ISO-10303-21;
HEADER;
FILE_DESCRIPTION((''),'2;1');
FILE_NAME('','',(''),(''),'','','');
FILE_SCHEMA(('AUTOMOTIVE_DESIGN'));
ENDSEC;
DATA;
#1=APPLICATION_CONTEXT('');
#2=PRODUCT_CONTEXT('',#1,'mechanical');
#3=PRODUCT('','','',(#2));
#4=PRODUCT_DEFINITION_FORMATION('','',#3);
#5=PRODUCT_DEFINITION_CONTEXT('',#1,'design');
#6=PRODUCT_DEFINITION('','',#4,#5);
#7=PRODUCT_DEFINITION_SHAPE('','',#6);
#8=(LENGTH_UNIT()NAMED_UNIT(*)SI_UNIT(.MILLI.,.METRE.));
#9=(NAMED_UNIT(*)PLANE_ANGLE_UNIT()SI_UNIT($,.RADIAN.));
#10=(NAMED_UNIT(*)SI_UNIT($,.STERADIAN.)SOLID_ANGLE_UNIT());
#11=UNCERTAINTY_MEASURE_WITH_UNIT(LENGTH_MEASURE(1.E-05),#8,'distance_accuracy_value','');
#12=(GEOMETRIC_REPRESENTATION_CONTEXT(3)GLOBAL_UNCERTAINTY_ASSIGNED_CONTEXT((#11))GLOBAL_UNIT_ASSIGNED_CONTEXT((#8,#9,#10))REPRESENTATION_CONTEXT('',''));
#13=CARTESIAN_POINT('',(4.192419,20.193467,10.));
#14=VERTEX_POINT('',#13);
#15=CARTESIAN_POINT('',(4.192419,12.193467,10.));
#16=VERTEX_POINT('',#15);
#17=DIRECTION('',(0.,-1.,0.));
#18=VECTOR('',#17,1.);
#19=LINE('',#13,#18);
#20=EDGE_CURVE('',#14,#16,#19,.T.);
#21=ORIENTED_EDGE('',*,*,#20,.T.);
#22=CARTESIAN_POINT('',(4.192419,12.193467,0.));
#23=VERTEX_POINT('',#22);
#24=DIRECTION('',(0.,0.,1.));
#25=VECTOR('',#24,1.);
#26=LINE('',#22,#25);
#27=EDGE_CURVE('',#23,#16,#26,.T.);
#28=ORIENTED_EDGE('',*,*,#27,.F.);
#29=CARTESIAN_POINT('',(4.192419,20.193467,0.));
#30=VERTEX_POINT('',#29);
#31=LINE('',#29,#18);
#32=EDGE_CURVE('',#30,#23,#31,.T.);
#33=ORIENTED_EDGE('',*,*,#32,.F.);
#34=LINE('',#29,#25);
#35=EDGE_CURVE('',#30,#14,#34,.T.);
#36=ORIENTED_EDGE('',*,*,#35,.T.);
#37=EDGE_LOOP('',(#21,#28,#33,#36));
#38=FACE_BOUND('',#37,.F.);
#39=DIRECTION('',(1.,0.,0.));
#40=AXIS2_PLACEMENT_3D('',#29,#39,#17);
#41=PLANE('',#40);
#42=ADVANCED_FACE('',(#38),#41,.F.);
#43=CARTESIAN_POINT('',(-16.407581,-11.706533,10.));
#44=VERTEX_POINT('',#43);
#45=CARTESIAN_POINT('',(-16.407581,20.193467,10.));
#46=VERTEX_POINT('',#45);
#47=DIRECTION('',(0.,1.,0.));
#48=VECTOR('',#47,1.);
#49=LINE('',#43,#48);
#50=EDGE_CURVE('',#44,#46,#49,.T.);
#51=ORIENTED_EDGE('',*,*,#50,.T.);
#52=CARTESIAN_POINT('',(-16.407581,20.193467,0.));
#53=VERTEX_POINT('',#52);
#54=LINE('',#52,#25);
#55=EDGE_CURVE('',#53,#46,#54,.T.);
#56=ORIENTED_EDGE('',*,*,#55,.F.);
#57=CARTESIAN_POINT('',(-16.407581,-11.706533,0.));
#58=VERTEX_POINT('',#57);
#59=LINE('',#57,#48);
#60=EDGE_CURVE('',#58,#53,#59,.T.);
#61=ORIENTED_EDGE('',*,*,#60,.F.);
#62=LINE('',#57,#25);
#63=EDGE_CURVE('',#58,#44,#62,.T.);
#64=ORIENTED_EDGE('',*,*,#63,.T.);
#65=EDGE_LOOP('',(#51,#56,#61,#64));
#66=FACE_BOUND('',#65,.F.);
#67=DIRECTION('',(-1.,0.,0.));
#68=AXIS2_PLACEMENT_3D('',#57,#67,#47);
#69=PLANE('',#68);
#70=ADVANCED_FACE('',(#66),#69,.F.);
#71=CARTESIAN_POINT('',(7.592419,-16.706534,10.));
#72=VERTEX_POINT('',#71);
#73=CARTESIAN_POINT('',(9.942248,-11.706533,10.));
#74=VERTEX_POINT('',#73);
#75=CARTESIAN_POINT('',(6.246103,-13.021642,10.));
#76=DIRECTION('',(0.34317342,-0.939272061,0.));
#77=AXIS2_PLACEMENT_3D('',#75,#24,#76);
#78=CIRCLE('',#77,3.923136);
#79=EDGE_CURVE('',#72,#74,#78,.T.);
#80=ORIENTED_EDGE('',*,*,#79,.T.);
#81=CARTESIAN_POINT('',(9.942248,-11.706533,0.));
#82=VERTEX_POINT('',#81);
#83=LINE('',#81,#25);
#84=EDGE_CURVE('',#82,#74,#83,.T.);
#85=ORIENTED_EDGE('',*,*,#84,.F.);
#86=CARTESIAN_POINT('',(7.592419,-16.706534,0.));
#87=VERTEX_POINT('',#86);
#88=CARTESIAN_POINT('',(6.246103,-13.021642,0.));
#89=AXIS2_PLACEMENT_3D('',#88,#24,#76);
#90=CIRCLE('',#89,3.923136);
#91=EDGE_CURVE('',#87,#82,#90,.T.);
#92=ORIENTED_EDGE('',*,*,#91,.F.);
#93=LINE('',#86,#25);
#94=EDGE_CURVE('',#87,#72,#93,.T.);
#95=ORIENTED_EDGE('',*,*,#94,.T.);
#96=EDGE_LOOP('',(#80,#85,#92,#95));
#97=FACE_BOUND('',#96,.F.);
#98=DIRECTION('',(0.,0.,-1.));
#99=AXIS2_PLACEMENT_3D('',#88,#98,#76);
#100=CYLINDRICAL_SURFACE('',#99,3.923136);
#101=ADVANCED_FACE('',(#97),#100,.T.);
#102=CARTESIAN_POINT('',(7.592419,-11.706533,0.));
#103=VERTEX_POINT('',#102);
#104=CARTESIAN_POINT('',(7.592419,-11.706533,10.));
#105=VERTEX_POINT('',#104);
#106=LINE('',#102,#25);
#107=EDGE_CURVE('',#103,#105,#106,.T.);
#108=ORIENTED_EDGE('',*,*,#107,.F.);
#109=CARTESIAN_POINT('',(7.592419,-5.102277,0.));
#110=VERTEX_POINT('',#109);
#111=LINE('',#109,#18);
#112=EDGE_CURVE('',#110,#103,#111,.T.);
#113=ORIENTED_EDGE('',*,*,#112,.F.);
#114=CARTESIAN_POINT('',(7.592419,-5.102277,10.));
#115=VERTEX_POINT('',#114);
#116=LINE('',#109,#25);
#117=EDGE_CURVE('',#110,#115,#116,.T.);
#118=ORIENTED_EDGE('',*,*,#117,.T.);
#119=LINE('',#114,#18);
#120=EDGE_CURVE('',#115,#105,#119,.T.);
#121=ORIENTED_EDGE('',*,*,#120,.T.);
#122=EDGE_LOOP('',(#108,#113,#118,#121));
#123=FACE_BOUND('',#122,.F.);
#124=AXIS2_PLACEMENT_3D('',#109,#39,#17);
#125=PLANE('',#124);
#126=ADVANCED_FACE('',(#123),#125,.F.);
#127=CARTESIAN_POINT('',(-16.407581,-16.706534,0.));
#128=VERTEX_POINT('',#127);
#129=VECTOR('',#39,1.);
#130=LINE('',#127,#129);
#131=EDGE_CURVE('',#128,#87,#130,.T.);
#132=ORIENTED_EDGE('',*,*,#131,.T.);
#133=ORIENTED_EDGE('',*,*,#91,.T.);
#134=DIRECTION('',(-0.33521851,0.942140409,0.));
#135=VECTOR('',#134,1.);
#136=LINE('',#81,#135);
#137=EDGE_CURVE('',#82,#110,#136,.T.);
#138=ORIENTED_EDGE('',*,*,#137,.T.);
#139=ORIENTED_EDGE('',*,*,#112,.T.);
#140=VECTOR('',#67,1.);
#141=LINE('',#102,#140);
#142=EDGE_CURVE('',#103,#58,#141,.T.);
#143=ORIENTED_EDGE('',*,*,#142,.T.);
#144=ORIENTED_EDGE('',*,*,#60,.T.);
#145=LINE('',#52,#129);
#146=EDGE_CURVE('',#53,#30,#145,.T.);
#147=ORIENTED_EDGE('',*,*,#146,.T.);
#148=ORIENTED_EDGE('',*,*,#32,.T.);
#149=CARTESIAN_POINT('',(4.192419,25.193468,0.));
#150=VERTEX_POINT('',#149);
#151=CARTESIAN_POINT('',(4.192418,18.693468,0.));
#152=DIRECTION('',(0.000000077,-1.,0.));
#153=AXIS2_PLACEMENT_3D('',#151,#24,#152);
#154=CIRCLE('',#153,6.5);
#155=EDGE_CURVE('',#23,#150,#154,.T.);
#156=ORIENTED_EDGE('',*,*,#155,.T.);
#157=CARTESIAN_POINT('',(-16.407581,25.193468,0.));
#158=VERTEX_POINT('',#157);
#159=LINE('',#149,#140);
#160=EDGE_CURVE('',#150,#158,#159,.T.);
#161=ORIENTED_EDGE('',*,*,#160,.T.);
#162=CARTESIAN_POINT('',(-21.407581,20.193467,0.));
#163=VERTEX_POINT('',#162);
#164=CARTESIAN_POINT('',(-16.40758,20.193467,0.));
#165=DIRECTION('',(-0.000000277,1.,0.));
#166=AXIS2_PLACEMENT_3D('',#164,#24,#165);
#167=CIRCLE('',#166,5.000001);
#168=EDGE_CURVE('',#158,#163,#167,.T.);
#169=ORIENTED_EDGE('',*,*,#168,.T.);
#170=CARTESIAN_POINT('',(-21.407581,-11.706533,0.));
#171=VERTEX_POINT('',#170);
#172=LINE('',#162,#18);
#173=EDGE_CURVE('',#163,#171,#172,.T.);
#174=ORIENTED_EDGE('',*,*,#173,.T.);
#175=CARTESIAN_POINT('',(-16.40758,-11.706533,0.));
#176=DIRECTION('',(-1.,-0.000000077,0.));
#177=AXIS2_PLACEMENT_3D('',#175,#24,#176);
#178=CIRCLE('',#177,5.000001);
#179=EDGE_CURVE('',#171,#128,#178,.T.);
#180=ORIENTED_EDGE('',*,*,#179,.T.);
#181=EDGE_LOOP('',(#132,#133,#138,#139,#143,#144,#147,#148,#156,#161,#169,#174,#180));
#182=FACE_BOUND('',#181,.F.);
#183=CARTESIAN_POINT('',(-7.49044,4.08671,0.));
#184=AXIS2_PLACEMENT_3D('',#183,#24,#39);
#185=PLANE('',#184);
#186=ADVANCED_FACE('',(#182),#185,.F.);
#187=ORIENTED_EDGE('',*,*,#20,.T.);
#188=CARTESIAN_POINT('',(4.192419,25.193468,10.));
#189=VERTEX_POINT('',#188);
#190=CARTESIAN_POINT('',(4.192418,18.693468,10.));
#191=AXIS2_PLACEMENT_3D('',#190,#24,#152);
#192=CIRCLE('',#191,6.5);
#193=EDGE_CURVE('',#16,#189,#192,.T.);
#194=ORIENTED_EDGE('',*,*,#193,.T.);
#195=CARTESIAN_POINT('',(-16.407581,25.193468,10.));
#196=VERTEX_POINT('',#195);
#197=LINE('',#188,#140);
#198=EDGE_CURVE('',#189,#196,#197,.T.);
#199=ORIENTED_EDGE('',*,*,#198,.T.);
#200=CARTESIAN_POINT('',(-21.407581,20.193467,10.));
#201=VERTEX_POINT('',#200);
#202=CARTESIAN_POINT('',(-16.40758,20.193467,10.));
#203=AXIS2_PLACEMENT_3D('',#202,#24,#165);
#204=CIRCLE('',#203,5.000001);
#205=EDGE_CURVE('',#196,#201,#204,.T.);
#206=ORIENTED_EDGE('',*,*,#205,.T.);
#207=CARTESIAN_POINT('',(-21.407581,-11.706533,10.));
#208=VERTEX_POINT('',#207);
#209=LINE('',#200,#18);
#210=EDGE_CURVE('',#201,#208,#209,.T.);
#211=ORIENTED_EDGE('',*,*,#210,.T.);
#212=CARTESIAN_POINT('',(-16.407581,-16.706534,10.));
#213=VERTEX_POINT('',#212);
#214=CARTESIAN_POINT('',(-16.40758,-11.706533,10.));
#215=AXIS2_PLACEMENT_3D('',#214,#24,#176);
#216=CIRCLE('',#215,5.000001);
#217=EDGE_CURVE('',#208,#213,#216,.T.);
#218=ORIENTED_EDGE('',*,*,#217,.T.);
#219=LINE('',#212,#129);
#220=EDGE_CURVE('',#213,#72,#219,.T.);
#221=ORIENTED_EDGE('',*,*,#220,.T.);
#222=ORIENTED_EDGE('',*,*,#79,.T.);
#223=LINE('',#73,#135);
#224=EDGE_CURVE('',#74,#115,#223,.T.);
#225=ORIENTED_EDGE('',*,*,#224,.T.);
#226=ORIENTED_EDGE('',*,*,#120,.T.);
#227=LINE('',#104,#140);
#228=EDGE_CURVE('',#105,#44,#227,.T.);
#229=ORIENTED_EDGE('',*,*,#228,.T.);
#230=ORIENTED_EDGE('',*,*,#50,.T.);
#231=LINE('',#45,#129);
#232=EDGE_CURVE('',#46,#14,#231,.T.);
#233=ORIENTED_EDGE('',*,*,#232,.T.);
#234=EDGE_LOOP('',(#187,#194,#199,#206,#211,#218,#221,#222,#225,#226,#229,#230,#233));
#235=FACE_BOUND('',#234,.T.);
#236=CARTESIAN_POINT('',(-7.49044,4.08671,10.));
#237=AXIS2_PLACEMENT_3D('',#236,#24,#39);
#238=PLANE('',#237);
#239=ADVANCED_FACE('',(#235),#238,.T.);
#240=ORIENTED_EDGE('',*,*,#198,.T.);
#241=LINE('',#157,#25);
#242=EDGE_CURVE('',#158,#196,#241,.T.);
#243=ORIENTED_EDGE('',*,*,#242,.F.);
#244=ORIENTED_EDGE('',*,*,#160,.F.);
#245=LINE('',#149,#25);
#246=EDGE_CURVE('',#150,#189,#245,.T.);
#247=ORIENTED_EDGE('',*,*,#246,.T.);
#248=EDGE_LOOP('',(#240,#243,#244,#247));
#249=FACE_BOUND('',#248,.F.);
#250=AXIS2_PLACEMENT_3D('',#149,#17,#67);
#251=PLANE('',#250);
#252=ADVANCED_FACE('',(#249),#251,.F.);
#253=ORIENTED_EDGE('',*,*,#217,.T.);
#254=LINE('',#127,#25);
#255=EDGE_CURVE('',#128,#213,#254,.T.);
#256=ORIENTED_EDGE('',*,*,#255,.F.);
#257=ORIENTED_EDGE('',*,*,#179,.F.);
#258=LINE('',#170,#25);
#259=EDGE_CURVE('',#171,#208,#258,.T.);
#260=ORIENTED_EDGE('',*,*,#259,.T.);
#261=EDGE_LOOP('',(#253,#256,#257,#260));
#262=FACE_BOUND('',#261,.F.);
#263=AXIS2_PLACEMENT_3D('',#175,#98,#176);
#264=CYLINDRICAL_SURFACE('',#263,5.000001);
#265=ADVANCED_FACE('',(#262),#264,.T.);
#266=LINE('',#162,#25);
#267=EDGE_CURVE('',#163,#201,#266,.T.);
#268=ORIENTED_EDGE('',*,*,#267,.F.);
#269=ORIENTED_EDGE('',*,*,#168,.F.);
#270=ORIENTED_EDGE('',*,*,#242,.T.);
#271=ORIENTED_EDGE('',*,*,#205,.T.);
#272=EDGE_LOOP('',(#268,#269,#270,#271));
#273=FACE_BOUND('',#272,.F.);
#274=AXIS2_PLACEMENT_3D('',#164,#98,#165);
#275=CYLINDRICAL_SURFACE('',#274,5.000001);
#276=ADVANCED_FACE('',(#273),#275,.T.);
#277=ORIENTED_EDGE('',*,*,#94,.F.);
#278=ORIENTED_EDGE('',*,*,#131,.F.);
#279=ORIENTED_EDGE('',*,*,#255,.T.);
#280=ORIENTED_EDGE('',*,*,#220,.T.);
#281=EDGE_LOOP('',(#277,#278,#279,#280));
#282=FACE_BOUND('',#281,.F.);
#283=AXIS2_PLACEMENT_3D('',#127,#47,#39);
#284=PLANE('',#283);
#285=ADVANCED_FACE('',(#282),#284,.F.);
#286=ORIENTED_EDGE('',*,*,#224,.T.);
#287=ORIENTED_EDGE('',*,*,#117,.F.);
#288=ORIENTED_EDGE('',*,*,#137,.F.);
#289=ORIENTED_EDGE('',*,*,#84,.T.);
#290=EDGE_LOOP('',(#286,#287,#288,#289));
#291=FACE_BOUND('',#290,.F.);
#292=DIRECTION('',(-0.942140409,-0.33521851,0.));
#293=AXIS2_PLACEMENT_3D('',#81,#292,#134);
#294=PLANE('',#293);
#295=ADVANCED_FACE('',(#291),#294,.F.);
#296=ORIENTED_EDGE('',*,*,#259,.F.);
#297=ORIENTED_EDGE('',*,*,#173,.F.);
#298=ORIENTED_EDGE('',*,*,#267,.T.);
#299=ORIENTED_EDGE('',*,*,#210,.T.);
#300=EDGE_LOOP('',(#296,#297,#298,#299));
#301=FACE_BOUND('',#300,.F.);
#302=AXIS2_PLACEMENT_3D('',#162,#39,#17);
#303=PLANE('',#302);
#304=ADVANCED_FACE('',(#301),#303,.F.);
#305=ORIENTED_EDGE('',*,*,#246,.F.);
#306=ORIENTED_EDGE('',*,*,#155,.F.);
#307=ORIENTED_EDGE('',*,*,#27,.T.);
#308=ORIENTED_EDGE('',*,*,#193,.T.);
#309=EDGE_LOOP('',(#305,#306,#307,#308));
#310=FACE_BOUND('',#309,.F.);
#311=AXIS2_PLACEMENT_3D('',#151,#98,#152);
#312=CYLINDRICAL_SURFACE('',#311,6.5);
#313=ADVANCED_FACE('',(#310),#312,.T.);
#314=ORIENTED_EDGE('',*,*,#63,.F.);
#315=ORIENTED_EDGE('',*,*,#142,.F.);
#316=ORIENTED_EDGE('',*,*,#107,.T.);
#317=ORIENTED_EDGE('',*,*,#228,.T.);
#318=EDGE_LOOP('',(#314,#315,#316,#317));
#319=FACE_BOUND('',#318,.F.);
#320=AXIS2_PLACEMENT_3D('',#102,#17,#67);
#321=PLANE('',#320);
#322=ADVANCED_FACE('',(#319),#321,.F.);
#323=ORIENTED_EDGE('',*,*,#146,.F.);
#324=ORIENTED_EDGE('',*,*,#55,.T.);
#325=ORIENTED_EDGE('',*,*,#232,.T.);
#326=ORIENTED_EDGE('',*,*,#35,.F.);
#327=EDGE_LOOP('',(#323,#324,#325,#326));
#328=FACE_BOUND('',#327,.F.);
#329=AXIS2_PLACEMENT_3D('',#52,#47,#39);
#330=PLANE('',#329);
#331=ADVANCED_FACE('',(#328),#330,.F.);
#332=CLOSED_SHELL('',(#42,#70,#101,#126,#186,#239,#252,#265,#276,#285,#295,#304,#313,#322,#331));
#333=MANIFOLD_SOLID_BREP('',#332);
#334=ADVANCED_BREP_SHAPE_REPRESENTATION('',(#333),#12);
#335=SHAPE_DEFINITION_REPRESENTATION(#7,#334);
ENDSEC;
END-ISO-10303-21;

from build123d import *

# Parameters (mm, degrees)
F1_DEPTH = 10


with BuildPart() as f1:
    # F0 (on Top) → F1 (new body)
    with BuildSketch(Plane.XY):
        with BuildLine():
            Line((-16.407581, 20.193467), (4.192419, 20.193467))
            Line((4.192419, 20.193467), (4.192419, 12.193467))
            ThreePointArc((4.192419, 12.193467), (10.692419, 18.693467), (4.192419, 25.193468))
            Line((4.192419, 25.193468), (-16.407581, 25.193468))
            ThreePointArc((-16.407581, 25.193468), (-19.943115, 23.729001), (-21.407581, 20.193467))
            Line((-21.407581, 20.193467), (-21.407581, -11.706533))
            ThreePointArc((-21.407581, -11.706533), (-19.943115, -15.242067), (-16.407581, -16.706534))
            Line((-16.407581, -16.706534), (7.592419, -16.706534))
            ThreePointArc((7.592419, -16.706534), (9.796681, -14.690292), (9.942248, -11.706533))
            Line((9.942248, -11.706533), (7.592419, -5.102277))
            Line((7.592419, -5.102277), (7.592419, -11.706533))
            Line((7.592419, -11.706533), (-16.407581, -11.706533))
            Line((-16.407581, -11.706533), (-16.407581, 20.193467))
        make_face()
    extrude(amount=F1_DEPTH)


solid = f1.part
